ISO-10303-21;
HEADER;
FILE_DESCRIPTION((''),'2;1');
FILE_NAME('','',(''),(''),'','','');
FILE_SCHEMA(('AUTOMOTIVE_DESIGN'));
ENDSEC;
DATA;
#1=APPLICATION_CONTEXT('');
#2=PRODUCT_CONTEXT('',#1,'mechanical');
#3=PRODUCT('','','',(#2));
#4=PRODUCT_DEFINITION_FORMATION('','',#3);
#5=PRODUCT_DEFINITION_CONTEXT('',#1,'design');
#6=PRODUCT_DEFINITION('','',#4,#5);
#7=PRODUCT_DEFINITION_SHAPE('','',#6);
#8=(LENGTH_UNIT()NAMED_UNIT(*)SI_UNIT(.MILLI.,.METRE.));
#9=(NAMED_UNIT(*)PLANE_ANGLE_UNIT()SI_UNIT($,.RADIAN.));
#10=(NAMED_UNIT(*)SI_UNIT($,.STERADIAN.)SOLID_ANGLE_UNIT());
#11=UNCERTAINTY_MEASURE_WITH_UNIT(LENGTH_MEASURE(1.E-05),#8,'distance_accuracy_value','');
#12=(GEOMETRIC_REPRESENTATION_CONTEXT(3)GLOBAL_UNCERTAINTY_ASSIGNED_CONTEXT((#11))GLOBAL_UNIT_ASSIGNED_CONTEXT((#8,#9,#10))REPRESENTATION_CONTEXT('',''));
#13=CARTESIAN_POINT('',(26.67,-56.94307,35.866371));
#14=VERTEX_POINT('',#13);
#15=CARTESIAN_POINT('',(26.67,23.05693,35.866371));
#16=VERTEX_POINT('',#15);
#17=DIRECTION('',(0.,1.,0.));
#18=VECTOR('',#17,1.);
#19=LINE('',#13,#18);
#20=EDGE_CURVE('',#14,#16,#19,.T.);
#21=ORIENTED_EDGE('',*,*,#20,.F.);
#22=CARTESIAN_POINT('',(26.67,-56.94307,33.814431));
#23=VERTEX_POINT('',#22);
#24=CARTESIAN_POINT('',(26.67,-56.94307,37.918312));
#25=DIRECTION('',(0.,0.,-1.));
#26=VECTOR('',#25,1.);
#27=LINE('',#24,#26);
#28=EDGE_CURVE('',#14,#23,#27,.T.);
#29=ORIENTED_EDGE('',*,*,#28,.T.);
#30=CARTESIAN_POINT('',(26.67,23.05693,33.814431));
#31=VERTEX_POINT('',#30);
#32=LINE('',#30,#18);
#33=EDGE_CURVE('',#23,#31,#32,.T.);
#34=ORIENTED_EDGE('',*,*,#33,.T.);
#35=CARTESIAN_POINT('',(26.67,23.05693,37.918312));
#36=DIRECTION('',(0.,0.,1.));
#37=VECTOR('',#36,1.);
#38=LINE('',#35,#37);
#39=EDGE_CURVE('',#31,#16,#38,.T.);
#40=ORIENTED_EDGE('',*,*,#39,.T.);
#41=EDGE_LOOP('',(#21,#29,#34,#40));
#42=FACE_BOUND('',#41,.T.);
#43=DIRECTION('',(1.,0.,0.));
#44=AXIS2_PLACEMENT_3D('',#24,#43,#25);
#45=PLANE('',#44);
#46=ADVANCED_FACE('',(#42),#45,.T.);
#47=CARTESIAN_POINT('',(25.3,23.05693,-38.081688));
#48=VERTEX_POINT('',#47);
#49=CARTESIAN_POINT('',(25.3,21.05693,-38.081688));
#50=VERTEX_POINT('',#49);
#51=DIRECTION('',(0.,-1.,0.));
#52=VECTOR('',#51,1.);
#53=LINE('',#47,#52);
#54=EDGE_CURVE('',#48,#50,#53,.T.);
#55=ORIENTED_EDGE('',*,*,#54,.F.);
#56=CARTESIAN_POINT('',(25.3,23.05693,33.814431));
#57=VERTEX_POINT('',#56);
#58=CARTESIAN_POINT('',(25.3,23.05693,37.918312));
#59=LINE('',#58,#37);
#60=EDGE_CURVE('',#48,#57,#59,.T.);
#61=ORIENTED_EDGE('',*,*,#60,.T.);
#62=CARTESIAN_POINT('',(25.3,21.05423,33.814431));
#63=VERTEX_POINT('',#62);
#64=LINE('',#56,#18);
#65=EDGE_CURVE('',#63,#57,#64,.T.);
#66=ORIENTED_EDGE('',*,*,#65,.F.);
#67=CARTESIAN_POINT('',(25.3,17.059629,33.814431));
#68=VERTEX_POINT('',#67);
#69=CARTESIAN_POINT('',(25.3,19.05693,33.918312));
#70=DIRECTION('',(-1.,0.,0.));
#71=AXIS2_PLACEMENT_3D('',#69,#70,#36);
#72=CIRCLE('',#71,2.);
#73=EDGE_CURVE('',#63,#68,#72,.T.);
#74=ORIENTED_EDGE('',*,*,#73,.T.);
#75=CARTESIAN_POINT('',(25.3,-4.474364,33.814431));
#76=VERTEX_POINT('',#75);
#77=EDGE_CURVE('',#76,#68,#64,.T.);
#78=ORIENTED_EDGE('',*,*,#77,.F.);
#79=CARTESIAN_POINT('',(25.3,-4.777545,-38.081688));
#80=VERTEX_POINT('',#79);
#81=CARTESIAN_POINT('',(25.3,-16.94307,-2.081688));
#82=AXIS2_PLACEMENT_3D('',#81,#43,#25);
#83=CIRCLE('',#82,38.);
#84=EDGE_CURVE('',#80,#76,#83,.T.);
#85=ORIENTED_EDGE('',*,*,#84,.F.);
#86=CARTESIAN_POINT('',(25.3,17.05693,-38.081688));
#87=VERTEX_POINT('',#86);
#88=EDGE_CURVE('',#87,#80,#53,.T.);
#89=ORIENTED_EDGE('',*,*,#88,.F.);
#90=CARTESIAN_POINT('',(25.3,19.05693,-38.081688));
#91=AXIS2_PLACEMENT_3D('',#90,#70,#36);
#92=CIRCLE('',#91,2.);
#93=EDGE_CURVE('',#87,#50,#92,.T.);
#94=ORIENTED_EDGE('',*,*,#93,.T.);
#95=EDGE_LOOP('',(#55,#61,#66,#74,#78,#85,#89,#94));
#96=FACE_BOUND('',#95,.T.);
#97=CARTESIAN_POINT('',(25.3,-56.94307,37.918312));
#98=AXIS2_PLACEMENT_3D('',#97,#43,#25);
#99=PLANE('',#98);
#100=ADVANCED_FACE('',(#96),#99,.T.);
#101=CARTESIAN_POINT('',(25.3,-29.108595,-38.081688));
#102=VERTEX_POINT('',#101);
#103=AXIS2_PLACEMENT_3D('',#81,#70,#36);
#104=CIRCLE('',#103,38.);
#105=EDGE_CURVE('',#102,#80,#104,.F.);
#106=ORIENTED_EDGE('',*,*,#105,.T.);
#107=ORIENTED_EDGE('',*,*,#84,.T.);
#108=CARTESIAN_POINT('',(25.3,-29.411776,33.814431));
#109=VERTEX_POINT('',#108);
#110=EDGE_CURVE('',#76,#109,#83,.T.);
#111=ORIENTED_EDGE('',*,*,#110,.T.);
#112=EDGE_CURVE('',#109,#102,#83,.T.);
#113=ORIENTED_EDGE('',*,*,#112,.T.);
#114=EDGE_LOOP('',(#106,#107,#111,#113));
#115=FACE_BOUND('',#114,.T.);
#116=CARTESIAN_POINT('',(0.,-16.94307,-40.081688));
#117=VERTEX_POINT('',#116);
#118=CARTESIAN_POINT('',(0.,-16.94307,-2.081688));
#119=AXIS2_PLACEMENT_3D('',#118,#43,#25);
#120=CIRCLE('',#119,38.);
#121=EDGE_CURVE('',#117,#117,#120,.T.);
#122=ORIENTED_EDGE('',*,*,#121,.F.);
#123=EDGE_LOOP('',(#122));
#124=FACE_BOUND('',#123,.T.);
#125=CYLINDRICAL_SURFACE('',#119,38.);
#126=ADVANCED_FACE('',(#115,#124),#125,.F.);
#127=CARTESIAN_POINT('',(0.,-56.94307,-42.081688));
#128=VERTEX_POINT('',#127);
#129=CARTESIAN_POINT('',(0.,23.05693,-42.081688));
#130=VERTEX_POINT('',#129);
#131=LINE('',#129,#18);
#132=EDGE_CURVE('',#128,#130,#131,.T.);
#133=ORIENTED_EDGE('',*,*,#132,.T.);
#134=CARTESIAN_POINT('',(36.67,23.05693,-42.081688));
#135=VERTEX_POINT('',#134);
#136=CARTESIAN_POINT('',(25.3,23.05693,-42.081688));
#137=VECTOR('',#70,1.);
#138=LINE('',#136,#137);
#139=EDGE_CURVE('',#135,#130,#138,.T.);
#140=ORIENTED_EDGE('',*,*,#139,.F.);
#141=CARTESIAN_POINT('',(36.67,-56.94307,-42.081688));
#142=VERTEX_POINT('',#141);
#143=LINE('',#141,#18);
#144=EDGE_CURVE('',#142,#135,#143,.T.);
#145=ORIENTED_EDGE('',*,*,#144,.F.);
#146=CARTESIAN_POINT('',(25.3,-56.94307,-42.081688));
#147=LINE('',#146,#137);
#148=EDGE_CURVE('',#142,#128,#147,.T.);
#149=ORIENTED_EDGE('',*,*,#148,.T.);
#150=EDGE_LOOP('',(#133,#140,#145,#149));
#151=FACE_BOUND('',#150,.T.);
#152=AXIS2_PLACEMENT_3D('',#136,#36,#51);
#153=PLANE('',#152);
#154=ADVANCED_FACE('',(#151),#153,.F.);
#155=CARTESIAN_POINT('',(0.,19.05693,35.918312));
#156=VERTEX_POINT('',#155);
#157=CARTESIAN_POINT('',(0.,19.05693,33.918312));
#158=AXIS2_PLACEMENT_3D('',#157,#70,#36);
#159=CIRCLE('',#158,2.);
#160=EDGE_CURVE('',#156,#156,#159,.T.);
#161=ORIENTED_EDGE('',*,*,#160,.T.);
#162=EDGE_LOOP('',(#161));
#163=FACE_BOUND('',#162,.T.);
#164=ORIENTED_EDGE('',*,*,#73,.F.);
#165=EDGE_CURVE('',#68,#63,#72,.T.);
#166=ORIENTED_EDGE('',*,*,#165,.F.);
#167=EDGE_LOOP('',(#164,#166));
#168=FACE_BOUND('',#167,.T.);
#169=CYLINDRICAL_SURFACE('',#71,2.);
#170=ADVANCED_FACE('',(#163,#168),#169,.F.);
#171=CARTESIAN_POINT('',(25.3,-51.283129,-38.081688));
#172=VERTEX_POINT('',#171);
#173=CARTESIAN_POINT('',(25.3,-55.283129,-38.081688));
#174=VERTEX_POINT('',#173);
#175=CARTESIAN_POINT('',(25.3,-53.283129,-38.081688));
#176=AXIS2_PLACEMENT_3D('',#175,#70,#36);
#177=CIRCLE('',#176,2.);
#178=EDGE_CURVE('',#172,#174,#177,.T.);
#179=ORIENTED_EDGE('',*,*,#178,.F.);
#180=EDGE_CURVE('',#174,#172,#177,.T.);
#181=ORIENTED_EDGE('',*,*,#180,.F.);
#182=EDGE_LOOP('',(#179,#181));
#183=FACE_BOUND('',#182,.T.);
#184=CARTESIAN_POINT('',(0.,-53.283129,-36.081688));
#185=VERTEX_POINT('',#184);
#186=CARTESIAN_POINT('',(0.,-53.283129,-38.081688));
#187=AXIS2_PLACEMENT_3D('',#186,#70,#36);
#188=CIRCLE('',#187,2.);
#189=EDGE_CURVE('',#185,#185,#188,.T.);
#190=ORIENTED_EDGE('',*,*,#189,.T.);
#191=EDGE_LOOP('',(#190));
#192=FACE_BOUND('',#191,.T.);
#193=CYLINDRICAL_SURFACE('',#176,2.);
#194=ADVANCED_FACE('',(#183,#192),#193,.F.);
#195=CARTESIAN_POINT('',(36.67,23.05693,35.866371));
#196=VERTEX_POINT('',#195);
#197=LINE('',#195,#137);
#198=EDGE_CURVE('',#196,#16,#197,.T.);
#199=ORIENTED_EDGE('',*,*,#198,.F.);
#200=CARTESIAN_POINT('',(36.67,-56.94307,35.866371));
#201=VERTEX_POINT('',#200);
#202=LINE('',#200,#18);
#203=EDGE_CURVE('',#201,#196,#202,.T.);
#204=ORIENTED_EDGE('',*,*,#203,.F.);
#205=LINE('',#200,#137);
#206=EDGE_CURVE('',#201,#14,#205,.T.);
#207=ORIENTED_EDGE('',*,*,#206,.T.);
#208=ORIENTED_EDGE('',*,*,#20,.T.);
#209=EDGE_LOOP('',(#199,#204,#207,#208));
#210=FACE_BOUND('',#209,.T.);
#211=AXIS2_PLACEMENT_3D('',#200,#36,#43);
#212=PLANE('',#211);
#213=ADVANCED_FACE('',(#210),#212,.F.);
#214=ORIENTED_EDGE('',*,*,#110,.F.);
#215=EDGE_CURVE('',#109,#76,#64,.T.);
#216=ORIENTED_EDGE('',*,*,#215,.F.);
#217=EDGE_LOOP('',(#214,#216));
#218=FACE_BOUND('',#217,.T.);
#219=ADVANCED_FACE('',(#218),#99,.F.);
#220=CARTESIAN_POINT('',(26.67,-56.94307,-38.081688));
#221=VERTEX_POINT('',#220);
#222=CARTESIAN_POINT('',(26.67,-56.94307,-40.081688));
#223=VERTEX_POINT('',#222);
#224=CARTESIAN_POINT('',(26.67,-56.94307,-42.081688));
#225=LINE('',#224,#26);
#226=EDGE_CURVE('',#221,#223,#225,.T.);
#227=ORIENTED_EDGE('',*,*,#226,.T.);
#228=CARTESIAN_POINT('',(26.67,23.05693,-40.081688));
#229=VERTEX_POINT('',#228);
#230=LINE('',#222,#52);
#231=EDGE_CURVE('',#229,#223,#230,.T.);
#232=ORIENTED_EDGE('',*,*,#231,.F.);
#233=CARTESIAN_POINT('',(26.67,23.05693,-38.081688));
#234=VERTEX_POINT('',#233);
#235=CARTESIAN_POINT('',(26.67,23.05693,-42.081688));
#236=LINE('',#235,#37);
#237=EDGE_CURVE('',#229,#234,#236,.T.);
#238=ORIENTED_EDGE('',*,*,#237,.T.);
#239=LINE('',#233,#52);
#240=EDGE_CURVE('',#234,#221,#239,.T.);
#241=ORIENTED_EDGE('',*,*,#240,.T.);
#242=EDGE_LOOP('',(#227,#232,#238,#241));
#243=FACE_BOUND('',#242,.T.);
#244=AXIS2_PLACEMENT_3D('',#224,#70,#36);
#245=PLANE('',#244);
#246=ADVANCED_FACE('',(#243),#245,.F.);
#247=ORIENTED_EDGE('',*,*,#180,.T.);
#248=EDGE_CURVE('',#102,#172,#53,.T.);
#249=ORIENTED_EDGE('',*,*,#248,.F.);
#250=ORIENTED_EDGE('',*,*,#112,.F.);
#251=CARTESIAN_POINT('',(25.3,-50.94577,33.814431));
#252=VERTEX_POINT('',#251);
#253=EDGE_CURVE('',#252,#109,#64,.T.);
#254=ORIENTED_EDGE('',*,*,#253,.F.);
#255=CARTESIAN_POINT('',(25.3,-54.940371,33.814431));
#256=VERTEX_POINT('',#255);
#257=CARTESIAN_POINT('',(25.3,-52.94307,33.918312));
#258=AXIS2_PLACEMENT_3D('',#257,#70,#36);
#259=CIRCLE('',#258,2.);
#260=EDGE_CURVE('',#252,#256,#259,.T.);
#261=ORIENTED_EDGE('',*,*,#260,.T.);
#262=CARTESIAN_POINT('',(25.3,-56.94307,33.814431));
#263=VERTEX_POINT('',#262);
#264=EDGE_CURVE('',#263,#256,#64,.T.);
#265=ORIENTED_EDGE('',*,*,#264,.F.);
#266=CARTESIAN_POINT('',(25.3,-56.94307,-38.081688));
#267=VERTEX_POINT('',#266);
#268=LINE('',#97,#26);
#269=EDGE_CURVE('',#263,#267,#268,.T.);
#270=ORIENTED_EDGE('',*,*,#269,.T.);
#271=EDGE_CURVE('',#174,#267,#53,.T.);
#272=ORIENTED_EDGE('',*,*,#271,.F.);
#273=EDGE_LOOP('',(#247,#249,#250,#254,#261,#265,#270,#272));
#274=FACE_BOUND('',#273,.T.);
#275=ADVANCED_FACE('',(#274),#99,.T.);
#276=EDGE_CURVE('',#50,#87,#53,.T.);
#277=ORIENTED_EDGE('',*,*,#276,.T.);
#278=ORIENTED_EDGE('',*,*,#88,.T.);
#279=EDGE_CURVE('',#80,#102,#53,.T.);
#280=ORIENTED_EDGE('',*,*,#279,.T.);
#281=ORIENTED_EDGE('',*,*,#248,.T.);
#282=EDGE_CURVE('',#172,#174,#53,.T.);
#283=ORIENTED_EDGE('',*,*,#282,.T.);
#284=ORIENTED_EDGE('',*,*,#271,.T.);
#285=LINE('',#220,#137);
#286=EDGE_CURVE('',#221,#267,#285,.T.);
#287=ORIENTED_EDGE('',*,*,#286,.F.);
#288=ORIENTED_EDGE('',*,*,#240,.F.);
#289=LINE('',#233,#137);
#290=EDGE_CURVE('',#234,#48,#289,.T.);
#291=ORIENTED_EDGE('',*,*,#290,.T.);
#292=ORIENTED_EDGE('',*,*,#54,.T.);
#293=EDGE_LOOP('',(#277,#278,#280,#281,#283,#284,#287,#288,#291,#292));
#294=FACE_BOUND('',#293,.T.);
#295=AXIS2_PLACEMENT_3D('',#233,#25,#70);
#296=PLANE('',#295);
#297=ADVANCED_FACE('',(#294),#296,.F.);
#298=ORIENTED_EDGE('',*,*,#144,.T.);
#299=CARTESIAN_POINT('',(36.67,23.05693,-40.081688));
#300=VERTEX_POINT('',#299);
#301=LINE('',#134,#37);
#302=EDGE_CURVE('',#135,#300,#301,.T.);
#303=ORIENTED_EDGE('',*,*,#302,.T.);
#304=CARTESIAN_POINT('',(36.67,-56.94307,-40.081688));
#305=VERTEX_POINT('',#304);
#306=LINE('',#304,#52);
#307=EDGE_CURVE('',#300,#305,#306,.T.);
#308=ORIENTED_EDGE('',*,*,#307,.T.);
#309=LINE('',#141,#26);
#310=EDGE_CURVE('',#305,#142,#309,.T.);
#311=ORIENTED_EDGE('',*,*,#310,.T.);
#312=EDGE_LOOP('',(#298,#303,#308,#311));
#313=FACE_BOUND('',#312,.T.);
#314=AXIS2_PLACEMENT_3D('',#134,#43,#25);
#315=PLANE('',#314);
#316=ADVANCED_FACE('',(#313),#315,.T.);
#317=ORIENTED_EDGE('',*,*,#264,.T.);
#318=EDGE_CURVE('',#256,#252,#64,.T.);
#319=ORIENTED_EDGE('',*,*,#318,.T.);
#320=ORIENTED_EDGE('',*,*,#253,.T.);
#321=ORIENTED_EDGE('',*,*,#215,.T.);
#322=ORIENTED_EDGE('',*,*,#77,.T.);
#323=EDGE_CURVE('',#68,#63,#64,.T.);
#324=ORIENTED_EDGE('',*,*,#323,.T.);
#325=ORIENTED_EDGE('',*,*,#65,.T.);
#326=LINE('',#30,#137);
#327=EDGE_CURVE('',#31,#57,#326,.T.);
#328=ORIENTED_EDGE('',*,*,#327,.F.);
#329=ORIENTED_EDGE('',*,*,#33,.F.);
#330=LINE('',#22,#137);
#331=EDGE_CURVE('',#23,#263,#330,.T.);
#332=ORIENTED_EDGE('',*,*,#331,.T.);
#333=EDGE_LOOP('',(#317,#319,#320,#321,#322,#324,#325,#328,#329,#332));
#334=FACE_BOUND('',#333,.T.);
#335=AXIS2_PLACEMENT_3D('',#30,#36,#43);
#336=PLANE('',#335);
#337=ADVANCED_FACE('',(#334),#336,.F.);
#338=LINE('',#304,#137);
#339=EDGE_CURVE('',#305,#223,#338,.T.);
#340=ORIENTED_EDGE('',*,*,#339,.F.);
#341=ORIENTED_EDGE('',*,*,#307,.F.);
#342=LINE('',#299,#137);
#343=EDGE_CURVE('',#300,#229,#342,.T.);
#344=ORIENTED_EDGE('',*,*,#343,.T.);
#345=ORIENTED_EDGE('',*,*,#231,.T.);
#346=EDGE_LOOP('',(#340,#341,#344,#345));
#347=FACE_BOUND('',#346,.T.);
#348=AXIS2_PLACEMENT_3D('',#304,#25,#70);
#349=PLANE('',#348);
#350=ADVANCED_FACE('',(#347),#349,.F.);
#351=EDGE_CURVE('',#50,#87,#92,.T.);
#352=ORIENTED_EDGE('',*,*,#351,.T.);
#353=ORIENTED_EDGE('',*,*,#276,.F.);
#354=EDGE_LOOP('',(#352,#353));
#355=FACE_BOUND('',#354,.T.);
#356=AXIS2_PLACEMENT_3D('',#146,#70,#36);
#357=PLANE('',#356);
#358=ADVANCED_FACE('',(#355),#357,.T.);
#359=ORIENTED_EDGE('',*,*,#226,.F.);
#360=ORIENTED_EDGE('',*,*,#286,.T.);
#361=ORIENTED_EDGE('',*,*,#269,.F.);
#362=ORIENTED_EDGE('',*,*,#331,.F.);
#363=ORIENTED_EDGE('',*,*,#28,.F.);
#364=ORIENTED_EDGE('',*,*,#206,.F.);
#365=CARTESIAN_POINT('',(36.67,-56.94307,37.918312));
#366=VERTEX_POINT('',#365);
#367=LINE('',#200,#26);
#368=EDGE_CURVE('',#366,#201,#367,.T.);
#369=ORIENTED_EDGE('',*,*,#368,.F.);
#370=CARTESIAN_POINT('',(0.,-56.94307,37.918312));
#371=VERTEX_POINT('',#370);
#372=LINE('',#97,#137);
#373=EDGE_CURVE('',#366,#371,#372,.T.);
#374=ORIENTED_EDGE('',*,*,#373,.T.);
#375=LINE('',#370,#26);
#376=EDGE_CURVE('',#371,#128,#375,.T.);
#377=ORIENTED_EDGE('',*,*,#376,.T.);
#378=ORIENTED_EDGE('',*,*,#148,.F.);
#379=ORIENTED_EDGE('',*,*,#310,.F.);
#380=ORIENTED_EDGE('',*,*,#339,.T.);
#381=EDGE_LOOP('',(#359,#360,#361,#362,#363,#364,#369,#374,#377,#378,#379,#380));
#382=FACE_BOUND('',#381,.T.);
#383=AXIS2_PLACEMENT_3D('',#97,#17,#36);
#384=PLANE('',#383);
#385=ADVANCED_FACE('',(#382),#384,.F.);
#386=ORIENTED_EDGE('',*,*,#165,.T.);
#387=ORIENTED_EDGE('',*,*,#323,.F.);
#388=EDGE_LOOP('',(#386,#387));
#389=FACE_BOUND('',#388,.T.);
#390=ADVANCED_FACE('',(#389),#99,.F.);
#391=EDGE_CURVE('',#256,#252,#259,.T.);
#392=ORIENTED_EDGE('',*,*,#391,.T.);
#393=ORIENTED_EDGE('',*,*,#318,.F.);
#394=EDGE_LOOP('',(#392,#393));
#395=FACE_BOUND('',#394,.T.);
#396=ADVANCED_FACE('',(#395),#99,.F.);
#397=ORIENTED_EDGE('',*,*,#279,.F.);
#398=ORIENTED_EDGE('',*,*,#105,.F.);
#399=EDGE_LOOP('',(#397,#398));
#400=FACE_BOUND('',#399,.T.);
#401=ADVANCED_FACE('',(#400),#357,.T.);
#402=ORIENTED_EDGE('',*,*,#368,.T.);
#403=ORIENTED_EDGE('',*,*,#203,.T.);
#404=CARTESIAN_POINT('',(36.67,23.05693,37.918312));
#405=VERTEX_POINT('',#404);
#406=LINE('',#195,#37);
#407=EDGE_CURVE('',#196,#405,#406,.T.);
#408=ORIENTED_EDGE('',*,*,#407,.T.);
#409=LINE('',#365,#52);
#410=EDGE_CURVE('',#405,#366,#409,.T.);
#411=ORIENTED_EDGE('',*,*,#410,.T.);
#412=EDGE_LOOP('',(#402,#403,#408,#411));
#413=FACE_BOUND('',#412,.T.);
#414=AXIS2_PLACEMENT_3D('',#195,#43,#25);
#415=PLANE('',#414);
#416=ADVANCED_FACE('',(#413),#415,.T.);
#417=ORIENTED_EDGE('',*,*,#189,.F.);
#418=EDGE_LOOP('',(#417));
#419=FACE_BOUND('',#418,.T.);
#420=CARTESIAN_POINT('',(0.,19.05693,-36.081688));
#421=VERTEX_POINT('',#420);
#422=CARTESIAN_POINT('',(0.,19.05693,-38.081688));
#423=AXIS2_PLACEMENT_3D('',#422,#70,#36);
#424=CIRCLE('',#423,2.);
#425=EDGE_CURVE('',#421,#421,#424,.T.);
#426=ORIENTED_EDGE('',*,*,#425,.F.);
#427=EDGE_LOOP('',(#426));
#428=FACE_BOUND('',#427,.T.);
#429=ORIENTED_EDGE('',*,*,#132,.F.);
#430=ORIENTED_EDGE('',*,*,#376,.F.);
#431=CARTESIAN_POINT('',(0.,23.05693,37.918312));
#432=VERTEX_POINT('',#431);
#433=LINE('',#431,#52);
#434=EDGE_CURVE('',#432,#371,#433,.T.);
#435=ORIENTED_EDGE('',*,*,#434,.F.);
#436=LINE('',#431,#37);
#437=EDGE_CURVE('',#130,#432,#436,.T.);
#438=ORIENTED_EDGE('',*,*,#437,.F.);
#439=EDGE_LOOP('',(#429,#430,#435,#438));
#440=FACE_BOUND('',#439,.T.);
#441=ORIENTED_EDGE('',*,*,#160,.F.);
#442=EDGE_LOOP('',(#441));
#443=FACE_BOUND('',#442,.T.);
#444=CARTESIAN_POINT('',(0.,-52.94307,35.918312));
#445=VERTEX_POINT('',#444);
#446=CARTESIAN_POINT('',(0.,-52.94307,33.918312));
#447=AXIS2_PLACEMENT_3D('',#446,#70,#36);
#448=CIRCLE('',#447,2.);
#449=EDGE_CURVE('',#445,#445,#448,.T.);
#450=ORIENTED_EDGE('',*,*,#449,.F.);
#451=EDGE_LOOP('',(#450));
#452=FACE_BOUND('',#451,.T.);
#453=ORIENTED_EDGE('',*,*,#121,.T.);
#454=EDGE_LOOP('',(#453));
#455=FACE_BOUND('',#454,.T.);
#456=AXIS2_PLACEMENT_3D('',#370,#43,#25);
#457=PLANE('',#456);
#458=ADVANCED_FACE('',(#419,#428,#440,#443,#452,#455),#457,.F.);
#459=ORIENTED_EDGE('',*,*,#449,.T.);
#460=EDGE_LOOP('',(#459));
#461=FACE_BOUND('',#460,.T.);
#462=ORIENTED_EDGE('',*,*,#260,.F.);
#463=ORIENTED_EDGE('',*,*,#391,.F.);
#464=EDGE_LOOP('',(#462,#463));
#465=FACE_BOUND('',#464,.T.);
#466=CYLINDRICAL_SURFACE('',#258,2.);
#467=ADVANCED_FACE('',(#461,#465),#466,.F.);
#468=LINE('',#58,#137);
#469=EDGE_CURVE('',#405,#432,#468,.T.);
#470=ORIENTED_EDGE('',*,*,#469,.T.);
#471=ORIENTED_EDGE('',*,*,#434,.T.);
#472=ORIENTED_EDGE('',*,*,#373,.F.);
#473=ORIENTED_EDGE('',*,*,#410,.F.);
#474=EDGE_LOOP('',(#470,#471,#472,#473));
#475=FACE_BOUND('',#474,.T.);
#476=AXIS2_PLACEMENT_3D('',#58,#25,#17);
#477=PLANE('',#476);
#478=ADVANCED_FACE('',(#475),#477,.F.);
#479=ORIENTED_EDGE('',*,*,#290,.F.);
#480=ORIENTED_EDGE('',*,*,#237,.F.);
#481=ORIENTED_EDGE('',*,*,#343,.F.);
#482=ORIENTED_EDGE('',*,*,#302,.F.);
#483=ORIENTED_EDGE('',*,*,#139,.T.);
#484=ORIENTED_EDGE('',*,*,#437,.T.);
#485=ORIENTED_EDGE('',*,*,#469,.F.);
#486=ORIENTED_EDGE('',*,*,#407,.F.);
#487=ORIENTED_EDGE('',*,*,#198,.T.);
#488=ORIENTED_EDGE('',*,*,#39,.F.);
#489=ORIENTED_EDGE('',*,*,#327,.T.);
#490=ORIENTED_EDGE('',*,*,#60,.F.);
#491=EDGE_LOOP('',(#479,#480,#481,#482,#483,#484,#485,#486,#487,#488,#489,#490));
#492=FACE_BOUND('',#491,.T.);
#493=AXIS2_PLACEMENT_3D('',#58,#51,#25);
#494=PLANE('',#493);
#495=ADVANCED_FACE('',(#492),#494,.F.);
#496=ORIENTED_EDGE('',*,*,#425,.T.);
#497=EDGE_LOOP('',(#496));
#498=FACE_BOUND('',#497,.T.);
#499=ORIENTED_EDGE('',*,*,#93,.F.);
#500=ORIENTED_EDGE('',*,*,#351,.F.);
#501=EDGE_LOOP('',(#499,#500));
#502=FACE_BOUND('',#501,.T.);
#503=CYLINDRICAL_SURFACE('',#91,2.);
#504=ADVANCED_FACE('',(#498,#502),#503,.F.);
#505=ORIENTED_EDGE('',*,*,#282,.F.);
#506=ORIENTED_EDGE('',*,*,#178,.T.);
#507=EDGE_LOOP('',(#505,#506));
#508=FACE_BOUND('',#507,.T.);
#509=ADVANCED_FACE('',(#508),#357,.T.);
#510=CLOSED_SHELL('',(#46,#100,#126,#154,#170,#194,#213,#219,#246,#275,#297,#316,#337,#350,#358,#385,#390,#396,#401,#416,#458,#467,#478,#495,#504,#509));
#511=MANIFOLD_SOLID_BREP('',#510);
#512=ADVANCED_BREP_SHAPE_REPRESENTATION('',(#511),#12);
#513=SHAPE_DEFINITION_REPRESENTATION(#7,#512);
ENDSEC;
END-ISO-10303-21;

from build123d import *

# Parameters (mm, degrees)
SKETCH1_W           = 80
SKETCH1_H           = 80
BOSS_EXTRUDE1_DEPTH = 25.3
SKETCH2_R           = 38
CUT_EXTRUDE1_DEPTH  = 25.3
SKETCH4_R           = 2
CUT_EXTRUDE2_DEPTH  = 25.3
SKETCH9_R           = 2
CUT_EXTRUDE3_DEPTH  = 25.3
SKETCH10_W          = 4.103880803
SKETCH10_H          = 80
SKETCH10_W_2        = 4
BOSS_EXTRUDE2_DEPTH = 1.37
SKETCH11_W          = 2.051940402
SKETCH11_H          = 80
BOSS_EXTRUDE3_DEPTH = 10
SKETCH12_W          = 2
SKETCH12_H          = 80
BOSS_EXTRUDE4_DEPTH = 10


with BuildPart() as part:
    # Sketch1 → Boss-Extrude1 (new body)
    with BuildSketch(Plane(origin=(0, 0, 0), x_dir=(0, 0, -1), z_dir=(1, 0, 0))):
        with Locations((2.081688293, -16.943070175)):
            Rectangle(SKETCH1_W, SKETCH1_H)
    extrude(amount=BOSS_EXTRUDE1_DEPTH)

    # Sketch2 → Cut-Extrude1 (cut)
    with BuildSketch(Plane(origin=(25.3, 0, 0), x_dir=(0, 0, -1), z_dir=(1, 0, 0))):
        with Locations((2.081688293, -16.943070175)):
            Circle(SKETCH2_R)
    extrude(amount=-CUT_EXTRUDE1_DEPTH, mode=Mode.SUBTRACT)

    # Sketch4 → Cut-Extrude2 (cut)
    with BuildSketch(Plane.ZY):
        with Locations((-38.081688293, 19.056929825)):
            Circle(SKETCH4_R)
    extrude(amount=-CUT_EXTRUDE2_DEPTH, mode=Mode.SUBTRACT)

    # Sketch9 → Cut-Extrude3 (cut)
    with BuildSketch(Plane.ZY):
        with Locations((33.918311707, 19.056929825)):
            Circle(SKETCH9_R)
        with Locations((33.918311707, -52.943070175)):
            Circle(SKETCH9_R)
        with Locations((-38.081688293, -53.283129164)):
            Circle(SKETCH9_R)
    extrude(amount=-CUT_EXTRUDE3_DEPTH, mode=Mode.SUBTRACT)

    # Sketch10 → Boss-Extrude2 (add)
    with BuildSketch(Plane(origin=(25.3, 0, 0), x_dir=(0, 0, -1), z_dir=(1, 0, 0))):
        with Locations((-35.866371306, -16.943070175)):
            Rectangle(SKETCH10_W, SKETCH10_H)
        with Locations((40.081688293, -16.943070175)):
            Rectangle(SKETCH10_W_2, SKETCH10_H)
    extrude(amount=BOSS_EXTRUDE2_DEPTH)

    # Sketch11 → Boss-Extrude3 (add)
    with BuildSketch(Plane(origin=(26.67, 0, 0), x_dir=(0, 0, -1), z_dir=(1, 0, 0))):
        with Locations((-36.892341506, -16.943070175)):
            Rectangle(SKETCH11_W, SKETCH11_H)
    extrude(amount=BOSS_EXTRUDE3_DEPTH)

    # Sketch12 → Boss-Extrude4 (add)
    with BuildSketch(Plane(origin=(26.67, 0, 0), x_dir=(0, 0, -1), z_dir=(1, 0, 0))):
        with Locations((41.081688293, -16.943070175)):
            Rectangle(SKETCH12_W, SKETCH12_H)
    extrude(amount=BOSS_EXTRUDE4_DEPTH)


solid = part.part
